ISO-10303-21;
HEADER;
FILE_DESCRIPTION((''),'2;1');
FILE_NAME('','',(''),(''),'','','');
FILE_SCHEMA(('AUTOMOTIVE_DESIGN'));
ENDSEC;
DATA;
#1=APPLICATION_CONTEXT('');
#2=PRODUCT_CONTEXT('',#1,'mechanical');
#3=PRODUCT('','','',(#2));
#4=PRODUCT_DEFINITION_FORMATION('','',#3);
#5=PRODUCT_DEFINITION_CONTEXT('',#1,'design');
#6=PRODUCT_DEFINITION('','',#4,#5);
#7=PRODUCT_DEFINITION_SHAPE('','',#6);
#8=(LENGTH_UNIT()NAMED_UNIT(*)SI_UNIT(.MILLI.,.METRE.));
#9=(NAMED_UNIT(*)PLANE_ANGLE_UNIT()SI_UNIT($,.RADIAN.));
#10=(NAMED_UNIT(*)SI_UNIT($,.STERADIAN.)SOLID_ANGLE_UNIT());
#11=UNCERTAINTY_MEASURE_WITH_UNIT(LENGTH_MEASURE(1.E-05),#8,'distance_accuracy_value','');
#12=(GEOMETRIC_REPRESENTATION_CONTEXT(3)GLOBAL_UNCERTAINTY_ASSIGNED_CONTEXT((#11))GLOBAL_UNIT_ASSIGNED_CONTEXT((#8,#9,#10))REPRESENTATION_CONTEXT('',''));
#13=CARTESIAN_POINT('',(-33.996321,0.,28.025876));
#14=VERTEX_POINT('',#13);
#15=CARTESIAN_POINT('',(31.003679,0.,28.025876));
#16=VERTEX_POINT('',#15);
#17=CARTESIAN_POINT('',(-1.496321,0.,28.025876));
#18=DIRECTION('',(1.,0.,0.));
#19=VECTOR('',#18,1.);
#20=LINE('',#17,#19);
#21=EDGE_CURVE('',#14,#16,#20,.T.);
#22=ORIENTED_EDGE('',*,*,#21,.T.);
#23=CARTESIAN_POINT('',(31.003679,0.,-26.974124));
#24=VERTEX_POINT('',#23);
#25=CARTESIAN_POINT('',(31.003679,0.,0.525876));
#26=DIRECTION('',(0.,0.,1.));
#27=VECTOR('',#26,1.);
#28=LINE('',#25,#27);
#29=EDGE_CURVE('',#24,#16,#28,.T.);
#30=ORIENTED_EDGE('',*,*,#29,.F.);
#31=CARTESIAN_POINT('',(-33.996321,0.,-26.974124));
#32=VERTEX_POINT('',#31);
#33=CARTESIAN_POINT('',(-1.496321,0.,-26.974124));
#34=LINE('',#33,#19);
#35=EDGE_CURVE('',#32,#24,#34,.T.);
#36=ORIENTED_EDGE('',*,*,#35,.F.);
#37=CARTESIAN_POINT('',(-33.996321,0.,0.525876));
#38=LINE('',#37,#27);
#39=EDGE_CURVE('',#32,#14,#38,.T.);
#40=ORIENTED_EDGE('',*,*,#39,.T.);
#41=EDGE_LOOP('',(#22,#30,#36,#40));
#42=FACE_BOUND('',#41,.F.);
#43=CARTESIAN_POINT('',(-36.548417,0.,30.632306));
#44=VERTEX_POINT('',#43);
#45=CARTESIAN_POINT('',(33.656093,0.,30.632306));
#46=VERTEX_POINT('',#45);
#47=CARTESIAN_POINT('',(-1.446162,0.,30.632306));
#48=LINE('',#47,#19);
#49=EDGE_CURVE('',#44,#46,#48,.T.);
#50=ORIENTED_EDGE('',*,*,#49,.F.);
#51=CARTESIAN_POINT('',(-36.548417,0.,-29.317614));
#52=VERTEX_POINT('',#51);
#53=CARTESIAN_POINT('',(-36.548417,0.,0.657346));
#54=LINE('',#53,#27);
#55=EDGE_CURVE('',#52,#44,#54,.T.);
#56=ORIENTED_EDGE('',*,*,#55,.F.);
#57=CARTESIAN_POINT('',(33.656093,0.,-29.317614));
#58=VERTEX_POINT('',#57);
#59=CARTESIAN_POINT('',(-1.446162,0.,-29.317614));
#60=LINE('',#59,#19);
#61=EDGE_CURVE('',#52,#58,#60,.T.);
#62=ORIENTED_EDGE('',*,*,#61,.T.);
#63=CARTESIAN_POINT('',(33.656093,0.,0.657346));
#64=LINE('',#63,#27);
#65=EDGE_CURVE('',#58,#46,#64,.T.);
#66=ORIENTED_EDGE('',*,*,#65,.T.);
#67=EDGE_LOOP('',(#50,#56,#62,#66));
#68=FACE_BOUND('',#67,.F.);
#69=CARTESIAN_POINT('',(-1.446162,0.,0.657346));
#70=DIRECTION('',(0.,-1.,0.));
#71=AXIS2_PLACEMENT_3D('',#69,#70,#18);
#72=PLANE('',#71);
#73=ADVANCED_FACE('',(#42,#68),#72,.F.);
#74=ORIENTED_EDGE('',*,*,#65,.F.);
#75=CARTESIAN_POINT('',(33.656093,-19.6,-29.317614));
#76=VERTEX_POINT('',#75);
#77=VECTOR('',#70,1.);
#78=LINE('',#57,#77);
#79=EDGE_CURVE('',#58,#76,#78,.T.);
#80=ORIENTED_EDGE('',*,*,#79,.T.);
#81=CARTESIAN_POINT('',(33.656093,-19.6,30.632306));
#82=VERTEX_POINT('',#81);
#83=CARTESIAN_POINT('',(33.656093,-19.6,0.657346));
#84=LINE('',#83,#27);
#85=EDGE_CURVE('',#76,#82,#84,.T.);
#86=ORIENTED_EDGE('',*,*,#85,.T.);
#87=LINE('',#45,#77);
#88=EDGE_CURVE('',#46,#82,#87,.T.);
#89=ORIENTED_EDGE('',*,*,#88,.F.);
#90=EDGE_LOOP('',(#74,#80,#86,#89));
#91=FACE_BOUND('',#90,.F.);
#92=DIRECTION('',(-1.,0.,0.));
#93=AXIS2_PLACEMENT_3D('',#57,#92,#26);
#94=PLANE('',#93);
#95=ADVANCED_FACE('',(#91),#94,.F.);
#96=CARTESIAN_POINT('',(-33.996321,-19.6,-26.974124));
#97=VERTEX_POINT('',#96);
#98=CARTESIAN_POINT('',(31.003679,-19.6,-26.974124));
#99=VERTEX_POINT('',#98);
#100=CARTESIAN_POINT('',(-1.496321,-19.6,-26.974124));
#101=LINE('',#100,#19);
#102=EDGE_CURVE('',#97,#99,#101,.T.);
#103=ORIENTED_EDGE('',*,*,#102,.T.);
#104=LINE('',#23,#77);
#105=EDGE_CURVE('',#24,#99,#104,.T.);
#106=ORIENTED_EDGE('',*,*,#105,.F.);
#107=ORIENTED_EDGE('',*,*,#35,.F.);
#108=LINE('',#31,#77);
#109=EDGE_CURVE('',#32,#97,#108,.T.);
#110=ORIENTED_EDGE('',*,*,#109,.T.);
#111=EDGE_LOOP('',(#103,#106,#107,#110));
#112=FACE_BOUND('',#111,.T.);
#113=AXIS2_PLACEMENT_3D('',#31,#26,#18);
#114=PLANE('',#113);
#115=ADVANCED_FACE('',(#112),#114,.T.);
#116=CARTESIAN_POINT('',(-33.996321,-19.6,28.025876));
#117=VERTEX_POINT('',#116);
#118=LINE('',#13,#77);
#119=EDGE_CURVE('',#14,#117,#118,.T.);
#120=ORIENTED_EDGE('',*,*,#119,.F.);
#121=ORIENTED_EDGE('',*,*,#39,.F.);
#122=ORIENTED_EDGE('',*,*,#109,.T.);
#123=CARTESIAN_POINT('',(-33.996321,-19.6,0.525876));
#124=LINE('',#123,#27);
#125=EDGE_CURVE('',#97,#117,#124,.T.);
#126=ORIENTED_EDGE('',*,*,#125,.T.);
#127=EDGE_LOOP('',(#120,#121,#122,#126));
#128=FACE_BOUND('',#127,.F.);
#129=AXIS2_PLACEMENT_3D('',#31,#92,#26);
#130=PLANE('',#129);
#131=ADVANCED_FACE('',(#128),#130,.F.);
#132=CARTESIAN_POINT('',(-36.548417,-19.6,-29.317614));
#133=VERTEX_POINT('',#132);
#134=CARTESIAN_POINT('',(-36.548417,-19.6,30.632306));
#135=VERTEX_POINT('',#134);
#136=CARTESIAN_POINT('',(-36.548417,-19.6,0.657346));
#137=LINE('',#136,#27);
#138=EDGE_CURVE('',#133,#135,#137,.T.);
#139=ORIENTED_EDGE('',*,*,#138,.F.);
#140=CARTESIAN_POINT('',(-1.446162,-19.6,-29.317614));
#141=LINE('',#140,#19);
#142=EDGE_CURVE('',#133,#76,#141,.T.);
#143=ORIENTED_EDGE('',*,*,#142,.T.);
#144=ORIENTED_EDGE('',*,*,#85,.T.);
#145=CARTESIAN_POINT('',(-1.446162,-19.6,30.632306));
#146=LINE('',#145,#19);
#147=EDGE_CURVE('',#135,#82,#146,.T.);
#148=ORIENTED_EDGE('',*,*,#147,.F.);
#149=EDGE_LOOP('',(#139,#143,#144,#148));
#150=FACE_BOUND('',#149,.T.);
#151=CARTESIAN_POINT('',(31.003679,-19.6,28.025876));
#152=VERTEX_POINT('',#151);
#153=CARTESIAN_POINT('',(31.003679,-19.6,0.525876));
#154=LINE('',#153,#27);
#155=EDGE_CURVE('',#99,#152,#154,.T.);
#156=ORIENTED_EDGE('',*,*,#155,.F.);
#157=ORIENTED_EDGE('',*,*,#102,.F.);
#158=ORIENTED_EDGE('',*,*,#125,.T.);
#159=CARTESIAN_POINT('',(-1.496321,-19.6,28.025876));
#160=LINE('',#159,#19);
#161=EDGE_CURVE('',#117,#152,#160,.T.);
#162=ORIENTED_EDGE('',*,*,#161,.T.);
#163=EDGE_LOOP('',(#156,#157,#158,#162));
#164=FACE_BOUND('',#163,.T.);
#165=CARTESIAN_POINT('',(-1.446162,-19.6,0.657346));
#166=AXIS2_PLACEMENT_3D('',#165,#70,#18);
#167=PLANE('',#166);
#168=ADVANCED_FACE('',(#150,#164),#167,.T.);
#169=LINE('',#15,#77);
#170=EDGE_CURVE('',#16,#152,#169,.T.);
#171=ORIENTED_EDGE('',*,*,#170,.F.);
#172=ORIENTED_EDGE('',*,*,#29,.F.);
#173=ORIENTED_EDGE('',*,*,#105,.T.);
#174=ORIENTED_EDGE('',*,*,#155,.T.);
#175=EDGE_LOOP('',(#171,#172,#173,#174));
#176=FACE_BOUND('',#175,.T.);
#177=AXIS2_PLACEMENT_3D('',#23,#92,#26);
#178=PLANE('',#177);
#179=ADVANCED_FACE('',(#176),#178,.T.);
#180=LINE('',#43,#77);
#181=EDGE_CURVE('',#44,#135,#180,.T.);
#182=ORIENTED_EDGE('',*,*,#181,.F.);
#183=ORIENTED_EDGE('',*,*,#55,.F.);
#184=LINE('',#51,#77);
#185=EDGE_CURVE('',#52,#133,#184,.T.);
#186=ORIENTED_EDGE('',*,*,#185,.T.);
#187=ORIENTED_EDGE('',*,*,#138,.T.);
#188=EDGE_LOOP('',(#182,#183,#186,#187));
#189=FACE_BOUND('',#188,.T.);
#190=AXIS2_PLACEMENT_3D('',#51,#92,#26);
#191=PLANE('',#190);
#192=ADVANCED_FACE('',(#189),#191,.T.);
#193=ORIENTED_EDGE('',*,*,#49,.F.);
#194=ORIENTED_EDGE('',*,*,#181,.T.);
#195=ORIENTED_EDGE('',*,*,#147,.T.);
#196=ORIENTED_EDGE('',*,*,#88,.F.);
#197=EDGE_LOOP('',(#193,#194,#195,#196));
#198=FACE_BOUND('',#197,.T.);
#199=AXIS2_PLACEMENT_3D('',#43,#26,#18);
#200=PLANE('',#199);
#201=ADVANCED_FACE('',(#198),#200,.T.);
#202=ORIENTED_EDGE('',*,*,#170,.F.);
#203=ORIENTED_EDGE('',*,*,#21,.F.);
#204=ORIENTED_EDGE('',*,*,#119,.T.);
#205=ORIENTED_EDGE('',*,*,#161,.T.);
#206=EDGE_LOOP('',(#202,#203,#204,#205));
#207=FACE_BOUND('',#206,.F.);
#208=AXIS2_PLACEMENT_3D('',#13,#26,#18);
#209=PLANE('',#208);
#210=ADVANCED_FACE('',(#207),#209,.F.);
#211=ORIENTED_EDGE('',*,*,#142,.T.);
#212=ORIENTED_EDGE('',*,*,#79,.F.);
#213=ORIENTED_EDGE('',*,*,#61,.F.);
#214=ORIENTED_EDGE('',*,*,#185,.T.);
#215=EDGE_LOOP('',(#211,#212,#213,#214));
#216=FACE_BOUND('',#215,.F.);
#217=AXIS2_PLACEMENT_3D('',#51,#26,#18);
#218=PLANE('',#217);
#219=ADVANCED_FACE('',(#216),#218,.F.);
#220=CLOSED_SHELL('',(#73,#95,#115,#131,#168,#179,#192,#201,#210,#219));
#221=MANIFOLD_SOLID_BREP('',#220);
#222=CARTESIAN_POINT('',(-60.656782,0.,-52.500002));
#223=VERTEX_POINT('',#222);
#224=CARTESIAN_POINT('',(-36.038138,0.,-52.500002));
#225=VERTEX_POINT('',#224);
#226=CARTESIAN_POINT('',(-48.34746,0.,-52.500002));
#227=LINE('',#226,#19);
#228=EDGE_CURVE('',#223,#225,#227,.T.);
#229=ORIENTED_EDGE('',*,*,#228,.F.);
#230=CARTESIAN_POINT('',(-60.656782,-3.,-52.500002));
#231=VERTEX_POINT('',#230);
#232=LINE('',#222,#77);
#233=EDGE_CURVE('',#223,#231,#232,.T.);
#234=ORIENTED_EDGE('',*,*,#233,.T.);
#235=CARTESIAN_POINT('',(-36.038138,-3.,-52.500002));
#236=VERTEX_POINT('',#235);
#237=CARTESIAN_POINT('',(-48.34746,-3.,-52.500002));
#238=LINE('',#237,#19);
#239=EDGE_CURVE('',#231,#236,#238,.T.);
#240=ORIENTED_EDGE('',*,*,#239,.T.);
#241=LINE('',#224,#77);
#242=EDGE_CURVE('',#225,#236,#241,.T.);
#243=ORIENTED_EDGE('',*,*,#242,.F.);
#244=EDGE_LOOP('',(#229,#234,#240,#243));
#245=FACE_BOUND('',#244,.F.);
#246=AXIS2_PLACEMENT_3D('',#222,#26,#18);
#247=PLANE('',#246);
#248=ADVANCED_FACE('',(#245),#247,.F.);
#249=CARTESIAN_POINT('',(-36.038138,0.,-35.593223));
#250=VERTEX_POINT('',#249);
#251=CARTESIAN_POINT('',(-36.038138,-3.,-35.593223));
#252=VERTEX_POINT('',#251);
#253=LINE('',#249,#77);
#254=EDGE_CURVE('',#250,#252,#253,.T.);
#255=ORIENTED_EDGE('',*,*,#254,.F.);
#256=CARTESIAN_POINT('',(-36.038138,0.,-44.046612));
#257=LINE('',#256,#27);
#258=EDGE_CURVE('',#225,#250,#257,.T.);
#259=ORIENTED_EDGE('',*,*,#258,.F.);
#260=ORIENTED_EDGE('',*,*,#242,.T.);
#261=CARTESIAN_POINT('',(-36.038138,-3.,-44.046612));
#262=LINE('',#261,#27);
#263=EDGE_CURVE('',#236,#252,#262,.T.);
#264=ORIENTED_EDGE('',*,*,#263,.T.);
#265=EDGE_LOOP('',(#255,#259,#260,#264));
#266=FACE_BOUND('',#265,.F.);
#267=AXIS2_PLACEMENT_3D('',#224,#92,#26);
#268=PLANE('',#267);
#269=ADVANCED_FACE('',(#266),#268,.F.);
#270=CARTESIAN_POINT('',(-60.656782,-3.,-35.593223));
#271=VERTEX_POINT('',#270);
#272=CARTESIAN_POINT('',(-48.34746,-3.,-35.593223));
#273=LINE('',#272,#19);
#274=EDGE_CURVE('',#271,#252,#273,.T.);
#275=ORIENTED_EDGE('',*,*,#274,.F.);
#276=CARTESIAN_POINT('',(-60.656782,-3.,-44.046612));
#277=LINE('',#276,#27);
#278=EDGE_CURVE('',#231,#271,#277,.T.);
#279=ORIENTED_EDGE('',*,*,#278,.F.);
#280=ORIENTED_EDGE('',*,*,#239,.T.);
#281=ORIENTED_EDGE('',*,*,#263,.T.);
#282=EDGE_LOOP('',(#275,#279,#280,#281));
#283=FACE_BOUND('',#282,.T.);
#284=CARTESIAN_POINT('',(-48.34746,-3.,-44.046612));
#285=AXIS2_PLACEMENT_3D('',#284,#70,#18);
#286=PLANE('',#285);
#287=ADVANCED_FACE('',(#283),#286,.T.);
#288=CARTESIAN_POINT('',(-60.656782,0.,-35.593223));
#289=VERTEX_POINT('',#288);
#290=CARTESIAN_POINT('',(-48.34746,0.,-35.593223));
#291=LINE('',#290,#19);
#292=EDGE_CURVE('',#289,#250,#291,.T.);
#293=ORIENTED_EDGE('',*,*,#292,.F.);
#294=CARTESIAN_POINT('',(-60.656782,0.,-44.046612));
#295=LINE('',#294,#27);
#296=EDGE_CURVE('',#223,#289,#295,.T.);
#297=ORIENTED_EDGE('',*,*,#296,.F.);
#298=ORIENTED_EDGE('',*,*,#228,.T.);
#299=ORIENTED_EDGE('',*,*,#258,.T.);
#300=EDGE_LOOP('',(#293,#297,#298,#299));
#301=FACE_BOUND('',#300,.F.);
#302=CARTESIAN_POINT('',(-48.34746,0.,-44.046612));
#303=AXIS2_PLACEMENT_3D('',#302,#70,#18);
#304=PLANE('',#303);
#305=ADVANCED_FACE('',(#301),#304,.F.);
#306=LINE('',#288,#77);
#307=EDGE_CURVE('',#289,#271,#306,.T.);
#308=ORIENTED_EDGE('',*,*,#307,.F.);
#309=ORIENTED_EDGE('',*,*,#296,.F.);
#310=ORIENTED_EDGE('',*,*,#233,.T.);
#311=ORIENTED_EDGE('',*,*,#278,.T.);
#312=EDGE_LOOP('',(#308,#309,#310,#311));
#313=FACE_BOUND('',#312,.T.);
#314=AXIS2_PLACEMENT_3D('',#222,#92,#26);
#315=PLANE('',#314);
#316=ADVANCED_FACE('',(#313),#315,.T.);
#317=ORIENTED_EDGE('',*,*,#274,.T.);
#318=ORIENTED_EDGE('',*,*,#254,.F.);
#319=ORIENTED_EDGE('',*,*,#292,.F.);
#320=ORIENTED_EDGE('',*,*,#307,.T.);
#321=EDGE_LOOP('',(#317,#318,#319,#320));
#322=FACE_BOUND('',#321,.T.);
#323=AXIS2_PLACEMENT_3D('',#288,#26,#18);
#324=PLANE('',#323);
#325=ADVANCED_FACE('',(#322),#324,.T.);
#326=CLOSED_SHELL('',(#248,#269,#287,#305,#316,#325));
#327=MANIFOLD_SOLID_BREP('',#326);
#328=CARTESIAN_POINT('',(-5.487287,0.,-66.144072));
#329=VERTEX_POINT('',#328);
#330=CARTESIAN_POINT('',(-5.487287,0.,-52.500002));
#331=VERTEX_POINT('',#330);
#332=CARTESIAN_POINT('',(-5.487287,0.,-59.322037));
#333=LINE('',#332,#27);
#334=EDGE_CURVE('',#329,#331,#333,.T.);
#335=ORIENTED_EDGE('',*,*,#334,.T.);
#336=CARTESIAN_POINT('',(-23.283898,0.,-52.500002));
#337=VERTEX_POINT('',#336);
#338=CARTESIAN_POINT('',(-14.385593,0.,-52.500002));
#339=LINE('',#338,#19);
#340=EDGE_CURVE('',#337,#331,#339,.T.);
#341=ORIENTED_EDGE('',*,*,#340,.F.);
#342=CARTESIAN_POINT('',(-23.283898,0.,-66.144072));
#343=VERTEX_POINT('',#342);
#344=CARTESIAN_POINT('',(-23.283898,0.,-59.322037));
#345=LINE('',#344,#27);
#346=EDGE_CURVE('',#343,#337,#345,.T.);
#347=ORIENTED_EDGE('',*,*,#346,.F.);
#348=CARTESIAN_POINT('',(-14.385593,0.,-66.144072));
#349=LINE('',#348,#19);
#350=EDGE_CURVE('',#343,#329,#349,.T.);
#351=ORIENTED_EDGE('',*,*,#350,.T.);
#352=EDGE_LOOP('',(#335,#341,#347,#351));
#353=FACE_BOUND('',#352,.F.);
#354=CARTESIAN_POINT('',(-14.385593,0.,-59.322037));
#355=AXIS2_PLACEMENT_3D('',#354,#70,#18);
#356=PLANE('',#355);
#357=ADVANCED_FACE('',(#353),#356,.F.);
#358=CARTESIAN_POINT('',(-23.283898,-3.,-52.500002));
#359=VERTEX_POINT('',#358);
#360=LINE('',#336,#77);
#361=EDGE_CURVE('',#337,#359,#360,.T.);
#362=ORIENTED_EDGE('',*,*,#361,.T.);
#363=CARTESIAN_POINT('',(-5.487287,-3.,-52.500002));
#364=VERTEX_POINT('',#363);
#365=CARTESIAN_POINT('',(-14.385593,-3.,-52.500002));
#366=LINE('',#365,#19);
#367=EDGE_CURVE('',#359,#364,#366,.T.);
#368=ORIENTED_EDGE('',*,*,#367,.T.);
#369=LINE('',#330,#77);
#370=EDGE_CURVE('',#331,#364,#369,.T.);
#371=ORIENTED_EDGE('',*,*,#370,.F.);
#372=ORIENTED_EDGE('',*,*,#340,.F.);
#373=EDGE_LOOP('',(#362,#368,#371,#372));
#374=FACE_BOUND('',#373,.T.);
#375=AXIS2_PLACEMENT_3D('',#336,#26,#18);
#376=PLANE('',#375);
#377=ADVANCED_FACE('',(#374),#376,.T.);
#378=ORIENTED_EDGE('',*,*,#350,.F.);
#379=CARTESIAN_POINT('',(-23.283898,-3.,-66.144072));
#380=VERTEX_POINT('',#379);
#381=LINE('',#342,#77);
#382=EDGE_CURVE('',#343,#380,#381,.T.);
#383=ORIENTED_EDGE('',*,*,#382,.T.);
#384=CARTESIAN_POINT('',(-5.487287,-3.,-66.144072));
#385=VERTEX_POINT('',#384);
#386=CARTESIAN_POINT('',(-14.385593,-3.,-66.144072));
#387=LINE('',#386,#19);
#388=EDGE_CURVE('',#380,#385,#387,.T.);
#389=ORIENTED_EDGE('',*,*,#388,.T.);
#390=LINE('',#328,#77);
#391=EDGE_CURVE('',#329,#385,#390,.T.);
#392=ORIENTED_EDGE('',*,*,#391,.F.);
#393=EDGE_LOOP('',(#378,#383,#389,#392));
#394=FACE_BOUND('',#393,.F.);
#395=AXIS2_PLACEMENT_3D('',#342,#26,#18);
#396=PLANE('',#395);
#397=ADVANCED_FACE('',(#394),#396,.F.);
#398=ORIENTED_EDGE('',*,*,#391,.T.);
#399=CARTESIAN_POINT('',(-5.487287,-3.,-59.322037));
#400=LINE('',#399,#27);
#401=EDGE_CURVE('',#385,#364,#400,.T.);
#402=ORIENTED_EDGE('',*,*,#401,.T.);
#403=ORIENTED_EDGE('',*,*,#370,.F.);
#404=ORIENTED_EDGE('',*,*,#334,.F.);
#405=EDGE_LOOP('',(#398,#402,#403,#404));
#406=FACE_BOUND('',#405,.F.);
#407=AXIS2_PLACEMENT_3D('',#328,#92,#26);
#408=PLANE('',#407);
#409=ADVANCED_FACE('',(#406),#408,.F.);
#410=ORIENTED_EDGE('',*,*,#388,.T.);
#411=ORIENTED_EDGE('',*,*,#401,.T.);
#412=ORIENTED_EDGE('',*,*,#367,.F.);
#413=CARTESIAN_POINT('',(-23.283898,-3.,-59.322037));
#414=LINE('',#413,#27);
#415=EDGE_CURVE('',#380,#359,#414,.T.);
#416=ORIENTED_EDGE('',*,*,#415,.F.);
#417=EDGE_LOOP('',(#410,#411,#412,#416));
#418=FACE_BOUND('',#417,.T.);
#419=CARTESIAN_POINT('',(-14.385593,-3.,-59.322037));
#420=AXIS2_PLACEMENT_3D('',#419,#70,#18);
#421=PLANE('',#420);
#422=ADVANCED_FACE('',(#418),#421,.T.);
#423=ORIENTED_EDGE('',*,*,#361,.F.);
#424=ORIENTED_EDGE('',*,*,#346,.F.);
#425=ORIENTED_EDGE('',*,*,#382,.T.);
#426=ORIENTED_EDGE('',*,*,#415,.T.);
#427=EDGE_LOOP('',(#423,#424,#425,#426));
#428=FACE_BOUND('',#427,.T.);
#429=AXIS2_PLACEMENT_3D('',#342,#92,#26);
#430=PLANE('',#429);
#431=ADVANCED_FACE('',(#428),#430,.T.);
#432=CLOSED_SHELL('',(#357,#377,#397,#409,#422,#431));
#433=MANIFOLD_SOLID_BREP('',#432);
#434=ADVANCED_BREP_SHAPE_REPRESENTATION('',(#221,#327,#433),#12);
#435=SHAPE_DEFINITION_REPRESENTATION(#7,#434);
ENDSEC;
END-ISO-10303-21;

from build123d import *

# Parameters (mm, degrees)
F0_W     = 70.204511
F0_H     = 59.94992
F0_W_2   = 65
F0_H_2   = 55
F1_DEPTH = 19.6
F2_W     = 24.618644
F2_H     = 16.906779
F2_W_2   = 17.796611
F2_H_2   = 13.64407
F3_DEPTH = 3


with BuildPart() as f1:
    # F0 (on Front) → F1 (new body)
    with BuildSketch(Plane.XZ):
        with Locations((-1.446162, 0.657346)):
            Rectangle(F0_W, F0_H)
        with Locations((-1.496321, 0.525876)):
            Rectangle(F0_W_2, F0_H_2, mode=Mode.SUBTRACT)
    extrude(amount=F1_DEPTH)


with BuildPart() as f3:
    # F2 (on Front) → F3 (new body)
    with BuildSketch(Plane.XZ):
        with Locations((-48.34746, -44.046612)):
            Rectangle(F2_W, F2_H)
        with Locations((-14.385593, -59.322037)):
            Rectangle(F2_W_2, F2_H_2)
    extrude(amount=F3_DEPTH)


solid = Compound([f1.part, f3.part])
